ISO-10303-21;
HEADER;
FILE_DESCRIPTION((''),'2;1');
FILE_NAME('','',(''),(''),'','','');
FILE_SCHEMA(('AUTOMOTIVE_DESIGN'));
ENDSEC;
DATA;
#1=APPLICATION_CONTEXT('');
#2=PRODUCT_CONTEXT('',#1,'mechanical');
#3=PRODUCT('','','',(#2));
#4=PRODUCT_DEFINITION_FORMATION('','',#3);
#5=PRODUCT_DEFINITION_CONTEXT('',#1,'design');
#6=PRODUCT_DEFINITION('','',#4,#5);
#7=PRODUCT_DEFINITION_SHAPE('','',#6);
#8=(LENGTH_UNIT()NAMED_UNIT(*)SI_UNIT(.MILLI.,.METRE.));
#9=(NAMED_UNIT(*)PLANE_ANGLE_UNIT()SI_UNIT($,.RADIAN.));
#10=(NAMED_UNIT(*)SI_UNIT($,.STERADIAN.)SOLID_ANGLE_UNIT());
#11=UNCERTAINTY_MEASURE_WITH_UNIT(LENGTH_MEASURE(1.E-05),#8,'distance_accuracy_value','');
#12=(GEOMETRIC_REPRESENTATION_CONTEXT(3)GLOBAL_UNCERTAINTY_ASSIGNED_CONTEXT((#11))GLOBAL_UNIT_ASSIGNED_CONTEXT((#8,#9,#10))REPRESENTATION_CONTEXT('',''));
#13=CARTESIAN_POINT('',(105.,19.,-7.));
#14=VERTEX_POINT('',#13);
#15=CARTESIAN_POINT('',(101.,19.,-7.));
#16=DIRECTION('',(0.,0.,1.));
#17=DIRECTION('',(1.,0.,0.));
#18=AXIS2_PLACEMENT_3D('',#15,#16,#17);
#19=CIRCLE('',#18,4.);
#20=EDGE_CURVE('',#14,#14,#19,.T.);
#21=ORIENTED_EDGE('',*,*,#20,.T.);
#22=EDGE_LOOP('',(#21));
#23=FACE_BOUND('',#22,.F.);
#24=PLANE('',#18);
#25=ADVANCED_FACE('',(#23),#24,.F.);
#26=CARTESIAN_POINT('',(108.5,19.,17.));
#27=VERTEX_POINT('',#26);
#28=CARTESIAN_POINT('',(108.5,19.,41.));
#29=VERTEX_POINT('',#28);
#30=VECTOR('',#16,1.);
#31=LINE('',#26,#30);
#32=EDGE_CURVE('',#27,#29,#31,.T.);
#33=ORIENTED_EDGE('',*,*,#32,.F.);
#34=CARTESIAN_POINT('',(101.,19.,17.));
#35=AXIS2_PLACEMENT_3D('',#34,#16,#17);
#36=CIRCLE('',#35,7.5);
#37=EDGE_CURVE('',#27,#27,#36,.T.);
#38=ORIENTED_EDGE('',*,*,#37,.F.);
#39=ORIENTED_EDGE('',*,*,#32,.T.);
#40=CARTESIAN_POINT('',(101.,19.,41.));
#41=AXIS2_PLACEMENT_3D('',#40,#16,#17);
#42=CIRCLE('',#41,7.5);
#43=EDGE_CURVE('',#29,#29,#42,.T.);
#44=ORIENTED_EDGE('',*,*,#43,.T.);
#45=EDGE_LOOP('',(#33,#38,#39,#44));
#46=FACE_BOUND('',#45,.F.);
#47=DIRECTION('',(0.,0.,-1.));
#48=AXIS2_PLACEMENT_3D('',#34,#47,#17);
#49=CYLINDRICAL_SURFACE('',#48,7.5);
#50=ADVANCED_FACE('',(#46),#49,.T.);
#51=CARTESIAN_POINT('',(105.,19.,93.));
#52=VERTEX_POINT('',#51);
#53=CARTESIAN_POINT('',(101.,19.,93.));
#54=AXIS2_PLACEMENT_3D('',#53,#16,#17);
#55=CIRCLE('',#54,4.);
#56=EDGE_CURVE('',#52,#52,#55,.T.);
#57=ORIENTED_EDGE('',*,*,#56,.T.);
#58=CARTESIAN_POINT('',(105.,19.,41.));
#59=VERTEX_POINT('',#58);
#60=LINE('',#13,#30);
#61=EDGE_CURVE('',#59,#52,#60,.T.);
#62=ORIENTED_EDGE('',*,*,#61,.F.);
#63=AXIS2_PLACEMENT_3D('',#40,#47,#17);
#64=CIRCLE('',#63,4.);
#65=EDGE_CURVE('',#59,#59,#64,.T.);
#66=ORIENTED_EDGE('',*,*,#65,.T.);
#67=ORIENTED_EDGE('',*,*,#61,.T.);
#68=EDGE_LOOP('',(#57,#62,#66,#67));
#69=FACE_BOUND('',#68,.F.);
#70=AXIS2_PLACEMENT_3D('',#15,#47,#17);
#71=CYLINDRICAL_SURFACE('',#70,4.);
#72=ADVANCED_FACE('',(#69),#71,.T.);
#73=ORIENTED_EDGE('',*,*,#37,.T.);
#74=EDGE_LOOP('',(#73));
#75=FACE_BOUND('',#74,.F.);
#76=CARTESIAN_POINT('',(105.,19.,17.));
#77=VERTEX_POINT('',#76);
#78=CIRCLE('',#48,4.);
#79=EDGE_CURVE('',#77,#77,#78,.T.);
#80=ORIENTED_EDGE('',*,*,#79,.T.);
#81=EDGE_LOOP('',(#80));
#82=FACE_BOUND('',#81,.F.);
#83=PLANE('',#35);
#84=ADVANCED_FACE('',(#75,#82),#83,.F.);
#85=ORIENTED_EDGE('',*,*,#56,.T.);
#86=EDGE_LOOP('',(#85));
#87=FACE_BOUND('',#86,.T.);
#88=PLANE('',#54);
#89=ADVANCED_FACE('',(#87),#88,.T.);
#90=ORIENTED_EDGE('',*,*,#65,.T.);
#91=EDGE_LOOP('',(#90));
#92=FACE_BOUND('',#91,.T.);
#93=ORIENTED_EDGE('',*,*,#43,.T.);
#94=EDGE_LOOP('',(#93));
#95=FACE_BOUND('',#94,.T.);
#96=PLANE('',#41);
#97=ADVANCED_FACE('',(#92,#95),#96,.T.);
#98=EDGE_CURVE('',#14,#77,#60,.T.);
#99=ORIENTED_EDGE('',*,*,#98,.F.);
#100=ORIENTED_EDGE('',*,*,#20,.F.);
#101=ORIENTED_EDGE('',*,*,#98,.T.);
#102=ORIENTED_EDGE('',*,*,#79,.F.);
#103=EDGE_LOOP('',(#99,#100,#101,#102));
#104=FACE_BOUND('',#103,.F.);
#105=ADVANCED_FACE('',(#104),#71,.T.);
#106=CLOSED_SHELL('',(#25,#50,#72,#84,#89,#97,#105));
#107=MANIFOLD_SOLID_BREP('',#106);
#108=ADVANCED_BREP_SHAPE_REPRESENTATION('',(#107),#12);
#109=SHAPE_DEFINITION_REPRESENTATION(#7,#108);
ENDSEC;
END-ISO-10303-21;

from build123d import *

# Parameters (mm, degrees)
CYLINDER026_R     = 4
CYLINDER026_DEPTH = 100
CYLINDER013_R     = 7.5
CYLINDER013_DEPTH = 24


with BuildPart() as rod_cylinder:
    # Cylinder026 → Cylinder026 (new body)
    with BuildSketch(Plane(origin=(42, 0, -118), x_dir=(1, 0, 0), z_dir=(0, 0, 1))):
        Circle(CYLINDER026_R)
    extrude(amount=CYLINDER026_DEPTH)


with BuildPart() as rod_fusion:
    # Cylinder013 → Cylinder013 (new body)
    with BuildSketch(Plane(origin=(42, 0, -94), x_dir=(1, 0, 0), z_dir=(0, 0, 1))):
        Circle(CYLINDER013_R)
    extrude(amount=CYLINDER013_DEPTH)

    # Fusion005: union rod cylinder
    add(rod_cylinder.part)


with BuildPart() as rod_fusion_1:
    # Fusion005 placement: moved
    add(rod_fusion.part.moved(Location((59, 19, 111))))


solid = rod_fusion_1.part
